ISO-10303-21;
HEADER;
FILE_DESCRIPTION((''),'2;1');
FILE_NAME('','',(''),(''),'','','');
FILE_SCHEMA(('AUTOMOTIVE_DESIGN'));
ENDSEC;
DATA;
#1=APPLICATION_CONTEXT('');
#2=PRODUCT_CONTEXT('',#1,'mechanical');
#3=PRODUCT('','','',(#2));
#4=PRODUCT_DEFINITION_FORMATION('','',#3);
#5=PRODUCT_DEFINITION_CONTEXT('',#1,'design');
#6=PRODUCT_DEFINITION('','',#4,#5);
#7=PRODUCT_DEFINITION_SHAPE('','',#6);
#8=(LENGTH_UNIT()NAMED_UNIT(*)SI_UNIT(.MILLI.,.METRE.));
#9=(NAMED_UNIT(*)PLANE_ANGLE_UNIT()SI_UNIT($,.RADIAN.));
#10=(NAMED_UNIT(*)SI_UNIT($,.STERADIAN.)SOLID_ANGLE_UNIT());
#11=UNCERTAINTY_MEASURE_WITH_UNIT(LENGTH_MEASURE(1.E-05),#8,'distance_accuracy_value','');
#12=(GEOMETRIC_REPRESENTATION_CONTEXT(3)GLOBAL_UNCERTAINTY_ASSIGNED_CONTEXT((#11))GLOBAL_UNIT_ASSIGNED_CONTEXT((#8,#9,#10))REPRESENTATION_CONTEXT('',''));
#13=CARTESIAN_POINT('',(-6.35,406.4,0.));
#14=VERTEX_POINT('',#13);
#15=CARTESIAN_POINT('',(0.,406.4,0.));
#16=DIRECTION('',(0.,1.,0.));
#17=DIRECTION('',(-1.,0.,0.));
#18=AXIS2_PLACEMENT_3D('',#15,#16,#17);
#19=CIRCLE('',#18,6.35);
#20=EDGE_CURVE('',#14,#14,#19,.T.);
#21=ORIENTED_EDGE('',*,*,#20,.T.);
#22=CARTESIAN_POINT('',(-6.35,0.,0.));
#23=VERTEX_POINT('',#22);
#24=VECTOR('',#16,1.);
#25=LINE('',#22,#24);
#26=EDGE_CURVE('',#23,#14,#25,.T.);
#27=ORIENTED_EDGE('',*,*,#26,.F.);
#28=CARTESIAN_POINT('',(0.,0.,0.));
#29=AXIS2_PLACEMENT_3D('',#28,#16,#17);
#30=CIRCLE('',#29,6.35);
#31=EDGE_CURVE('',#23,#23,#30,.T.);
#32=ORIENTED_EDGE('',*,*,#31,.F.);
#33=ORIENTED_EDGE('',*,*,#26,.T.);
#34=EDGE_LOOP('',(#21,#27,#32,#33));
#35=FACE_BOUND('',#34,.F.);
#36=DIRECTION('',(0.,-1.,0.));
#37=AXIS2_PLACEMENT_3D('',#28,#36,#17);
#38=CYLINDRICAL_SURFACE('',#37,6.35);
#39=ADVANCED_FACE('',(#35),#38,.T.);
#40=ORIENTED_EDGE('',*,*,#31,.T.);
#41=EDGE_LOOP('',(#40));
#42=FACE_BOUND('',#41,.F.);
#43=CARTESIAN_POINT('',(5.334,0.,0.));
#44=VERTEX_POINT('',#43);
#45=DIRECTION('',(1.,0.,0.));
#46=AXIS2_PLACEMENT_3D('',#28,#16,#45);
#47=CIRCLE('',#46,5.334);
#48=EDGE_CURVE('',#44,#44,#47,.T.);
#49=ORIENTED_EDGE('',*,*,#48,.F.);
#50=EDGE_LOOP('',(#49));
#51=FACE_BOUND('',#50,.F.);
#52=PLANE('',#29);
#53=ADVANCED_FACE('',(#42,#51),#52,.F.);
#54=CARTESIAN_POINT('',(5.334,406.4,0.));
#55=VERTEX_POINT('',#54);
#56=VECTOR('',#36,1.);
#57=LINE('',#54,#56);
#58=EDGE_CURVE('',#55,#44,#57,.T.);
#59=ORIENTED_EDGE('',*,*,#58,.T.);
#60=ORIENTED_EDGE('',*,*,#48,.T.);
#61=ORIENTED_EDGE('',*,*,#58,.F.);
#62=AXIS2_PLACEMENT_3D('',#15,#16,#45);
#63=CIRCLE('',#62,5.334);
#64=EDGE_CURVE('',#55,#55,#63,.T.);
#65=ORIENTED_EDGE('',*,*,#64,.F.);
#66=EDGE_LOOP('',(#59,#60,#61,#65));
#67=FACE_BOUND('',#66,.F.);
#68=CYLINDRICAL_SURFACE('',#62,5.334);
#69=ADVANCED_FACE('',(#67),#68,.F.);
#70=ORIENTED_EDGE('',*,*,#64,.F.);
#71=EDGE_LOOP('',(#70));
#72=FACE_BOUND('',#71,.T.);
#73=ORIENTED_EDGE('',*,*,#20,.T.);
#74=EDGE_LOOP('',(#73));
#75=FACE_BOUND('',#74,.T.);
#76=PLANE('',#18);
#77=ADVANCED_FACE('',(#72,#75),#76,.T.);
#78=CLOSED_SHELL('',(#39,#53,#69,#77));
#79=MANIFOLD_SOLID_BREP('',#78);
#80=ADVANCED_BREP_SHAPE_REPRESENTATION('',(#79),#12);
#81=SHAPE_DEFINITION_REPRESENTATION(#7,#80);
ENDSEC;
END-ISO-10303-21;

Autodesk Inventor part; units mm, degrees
ref_plane "YZ Plane" through (0, 0, 0) normal (1, 0, 0) x (0, 1, 0)
ref_plane "XZ Plane" through (0, 0, 0) normal (0, 1, 0) x (-1, 0, 0)
ref_plane "XY Plane" through (0, 0, 0) normal (0, 0, 1) x (1, 0, 0)
sketch "Sketch1" plane through (0, 0, 0) normal (0, 1, 0) x (-1, 0, 0)
  circle A0 centre (0, 0) radius 6.35
  dimension "d0" = 12.7
extrude "Extrusion1" add sketch "Sketch1" along normal blind 406.4
sketch "Sketch2" plane through (0, 406.4, 0) normal (0, 1, 0) x (1, 0, 0)
  circle A0 centre (0, 0) radius 5.334
  dimension "d3" = 10.668
extrude "Extrusion2" cut sketch "Sketch2" against normal blind 406.4
properties part number "Vertical_Support"
